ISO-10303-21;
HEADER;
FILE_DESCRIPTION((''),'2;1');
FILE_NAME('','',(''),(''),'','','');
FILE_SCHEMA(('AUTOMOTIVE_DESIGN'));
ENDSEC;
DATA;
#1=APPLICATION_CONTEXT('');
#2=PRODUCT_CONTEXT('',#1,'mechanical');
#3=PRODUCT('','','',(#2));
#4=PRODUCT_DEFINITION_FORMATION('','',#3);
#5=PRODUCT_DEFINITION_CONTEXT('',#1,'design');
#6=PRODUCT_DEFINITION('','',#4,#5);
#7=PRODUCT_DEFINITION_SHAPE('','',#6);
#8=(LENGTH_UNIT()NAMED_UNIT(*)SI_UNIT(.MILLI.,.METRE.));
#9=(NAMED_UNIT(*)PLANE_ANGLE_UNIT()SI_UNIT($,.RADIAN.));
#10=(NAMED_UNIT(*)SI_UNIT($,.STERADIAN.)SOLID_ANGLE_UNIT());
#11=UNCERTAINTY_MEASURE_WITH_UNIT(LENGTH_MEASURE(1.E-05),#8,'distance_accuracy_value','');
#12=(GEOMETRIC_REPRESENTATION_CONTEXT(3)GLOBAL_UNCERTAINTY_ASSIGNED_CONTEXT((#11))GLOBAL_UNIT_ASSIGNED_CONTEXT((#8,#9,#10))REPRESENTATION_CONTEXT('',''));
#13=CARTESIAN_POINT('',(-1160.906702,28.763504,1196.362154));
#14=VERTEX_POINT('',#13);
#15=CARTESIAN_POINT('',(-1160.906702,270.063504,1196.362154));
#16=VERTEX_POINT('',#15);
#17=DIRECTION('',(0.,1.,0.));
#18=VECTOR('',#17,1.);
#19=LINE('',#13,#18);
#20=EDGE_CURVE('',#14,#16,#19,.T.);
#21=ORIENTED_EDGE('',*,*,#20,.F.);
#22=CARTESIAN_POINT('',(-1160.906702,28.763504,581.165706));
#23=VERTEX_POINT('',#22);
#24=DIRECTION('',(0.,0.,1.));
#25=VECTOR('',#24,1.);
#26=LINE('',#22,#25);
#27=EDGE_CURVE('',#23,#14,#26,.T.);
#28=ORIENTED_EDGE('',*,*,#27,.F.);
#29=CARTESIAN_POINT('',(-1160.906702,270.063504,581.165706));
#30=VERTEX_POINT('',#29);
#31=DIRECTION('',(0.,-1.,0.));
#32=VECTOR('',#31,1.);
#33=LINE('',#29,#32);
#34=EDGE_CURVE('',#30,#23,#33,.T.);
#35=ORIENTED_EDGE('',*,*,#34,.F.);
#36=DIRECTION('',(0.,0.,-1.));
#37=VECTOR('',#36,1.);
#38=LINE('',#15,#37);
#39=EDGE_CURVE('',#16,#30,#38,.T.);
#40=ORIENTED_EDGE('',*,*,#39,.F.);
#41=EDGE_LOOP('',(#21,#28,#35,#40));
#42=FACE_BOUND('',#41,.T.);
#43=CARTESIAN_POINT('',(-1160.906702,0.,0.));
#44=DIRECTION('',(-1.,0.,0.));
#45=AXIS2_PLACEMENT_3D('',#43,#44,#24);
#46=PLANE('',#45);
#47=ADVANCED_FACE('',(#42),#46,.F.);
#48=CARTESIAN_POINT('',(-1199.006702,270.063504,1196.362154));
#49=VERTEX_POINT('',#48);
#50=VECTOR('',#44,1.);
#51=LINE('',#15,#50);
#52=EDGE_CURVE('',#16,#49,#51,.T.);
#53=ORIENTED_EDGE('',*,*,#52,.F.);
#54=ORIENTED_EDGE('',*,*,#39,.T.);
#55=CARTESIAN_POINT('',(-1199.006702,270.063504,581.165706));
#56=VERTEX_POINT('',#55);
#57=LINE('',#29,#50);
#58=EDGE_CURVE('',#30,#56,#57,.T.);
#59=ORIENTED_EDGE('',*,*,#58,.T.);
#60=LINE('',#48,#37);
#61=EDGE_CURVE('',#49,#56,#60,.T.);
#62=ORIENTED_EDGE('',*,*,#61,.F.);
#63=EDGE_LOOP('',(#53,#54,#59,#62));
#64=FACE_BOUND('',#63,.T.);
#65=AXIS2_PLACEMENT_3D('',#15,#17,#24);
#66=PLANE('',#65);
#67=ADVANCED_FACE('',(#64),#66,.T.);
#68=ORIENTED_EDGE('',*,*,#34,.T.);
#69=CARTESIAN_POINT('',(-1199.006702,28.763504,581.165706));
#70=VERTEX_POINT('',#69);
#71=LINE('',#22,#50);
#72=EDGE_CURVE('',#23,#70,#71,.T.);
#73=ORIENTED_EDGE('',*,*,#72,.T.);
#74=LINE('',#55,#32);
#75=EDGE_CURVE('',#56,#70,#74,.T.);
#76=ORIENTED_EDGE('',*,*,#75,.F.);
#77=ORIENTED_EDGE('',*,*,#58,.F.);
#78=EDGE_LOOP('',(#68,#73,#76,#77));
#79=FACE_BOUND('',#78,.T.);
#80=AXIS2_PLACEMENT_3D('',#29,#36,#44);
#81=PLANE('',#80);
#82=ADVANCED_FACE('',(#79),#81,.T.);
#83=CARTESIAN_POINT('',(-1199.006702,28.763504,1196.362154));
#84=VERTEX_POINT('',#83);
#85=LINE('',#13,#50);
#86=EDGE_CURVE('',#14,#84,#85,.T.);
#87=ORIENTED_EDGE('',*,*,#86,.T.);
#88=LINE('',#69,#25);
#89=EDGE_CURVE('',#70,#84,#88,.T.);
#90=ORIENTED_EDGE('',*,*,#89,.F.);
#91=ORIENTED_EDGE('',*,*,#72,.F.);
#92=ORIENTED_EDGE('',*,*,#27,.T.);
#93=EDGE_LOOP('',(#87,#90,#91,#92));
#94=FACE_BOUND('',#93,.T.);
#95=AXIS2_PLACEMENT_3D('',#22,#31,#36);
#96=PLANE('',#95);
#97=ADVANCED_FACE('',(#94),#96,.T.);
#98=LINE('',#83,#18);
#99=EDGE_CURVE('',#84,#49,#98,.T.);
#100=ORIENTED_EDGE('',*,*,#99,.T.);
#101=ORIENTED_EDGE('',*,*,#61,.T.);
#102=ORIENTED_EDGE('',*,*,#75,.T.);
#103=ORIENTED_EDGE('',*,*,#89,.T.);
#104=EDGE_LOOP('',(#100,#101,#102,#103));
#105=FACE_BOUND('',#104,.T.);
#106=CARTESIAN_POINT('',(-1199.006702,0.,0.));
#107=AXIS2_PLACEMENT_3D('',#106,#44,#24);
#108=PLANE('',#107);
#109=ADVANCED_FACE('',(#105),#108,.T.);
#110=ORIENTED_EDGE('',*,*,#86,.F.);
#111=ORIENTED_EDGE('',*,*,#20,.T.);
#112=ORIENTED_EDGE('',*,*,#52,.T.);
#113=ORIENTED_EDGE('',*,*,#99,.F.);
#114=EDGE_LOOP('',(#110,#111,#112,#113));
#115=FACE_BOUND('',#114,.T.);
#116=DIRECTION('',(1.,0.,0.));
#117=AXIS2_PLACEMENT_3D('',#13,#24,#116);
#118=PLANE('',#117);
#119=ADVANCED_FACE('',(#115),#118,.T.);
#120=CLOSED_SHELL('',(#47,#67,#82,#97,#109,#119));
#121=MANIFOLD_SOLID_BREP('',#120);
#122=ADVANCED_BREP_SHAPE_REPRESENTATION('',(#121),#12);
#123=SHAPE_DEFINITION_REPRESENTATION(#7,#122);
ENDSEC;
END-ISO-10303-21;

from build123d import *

# Parameters (mm, degrees)
SKETCH1_W           = 615.196448224
SKETCH1_H           = 241.3
BOSS_EXTRUDE1_DEPTH = 38.1


with BuildPart() as part:
    # Sketch1 → Boss-Extrude1 (new body)
    with BuildSketch(Plane.ZY.offset(1199.006701864)):
        with Locations((888.763930298, 149.413503955)):
            Rectangle(SKETCH1_W, SKETCH1_H)
    extrude(amount=-BOSS_EXTRUDE1_DEPTH)


solid = part.part
